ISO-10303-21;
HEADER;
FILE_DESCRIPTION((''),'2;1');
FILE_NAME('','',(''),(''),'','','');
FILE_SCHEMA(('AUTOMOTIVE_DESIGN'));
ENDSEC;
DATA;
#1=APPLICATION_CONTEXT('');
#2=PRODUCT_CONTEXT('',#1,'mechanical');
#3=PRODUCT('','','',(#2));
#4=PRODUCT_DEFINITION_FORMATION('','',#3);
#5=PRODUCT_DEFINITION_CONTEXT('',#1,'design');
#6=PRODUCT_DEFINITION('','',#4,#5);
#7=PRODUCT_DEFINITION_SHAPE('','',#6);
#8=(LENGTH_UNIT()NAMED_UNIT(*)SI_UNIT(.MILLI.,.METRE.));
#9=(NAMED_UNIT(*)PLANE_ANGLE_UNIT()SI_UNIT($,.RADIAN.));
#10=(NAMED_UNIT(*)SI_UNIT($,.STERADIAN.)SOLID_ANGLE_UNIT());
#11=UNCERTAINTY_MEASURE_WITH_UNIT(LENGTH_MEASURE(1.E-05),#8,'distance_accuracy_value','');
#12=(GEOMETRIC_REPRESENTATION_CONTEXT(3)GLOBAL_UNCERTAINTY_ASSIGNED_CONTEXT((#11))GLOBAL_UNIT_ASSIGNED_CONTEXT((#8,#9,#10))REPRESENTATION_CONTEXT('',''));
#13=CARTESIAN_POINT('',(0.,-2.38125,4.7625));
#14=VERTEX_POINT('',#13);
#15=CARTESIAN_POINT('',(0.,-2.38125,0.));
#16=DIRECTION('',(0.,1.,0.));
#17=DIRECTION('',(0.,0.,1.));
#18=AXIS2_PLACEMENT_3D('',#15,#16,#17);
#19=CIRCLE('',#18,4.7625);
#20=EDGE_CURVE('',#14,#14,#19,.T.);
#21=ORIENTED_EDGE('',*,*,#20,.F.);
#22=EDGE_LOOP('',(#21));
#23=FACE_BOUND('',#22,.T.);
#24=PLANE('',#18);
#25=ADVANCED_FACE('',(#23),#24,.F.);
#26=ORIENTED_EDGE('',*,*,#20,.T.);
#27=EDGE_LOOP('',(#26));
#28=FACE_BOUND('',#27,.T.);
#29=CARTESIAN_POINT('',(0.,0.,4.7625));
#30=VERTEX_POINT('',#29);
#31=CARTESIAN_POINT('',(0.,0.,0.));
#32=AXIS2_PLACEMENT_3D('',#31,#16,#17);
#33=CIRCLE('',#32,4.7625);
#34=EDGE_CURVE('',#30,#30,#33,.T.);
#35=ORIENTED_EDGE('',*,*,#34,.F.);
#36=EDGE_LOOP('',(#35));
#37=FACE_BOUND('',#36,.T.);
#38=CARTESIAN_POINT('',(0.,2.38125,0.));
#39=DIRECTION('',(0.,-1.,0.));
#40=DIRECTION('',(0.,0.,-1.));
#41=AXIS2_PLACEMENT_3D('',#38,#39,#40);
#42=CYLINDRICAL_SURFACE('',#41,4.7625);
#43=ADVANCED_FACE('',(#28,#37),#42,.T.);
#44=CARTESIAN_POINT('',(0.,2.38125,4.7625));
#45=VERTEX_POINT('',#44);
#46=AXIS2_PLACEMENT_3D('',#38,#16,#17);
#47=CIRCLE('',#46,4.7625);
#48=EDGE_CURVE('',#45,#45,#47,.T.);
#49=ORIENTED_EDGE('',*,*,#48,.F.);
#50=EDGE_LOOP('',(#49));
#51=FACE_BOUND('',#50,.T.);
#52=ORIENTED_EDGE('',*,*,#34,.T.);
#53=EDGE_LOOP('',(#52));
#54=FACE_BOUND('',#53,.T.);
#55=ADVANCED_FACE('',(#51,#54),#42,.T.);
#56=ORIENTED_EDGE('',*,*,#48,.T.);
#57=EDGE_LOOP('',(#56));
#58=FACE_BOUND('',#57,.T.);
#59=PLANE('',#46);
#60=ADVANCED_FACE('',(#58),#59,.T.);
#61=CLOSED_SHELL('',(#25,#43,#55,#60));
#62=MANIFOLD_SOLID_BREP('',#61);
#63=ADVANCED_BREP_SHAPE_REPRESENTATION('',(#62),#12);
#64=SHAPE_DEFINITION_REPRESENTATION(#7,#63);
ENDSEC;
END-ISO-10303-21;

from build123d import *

# Parameters (mm, degrees)
SKETCH1_R           = 4.7625
BOSS_EXTRUDE1_DEPTH = 2.38125


with BuildPart() as part:
    # Sketch1 → Boss-Extrude1 (new body, symmetric)
    with BuildSketch(Plane(origin=(0, 0, 0), x_dir=(1, 0, 0), z_dir=(0, 1, 0))):
        Circle(SKETCH1_R)
    extrude(amount=BOSS_EXTRUDE1_DEPTH, both=True)


solid = part.part
